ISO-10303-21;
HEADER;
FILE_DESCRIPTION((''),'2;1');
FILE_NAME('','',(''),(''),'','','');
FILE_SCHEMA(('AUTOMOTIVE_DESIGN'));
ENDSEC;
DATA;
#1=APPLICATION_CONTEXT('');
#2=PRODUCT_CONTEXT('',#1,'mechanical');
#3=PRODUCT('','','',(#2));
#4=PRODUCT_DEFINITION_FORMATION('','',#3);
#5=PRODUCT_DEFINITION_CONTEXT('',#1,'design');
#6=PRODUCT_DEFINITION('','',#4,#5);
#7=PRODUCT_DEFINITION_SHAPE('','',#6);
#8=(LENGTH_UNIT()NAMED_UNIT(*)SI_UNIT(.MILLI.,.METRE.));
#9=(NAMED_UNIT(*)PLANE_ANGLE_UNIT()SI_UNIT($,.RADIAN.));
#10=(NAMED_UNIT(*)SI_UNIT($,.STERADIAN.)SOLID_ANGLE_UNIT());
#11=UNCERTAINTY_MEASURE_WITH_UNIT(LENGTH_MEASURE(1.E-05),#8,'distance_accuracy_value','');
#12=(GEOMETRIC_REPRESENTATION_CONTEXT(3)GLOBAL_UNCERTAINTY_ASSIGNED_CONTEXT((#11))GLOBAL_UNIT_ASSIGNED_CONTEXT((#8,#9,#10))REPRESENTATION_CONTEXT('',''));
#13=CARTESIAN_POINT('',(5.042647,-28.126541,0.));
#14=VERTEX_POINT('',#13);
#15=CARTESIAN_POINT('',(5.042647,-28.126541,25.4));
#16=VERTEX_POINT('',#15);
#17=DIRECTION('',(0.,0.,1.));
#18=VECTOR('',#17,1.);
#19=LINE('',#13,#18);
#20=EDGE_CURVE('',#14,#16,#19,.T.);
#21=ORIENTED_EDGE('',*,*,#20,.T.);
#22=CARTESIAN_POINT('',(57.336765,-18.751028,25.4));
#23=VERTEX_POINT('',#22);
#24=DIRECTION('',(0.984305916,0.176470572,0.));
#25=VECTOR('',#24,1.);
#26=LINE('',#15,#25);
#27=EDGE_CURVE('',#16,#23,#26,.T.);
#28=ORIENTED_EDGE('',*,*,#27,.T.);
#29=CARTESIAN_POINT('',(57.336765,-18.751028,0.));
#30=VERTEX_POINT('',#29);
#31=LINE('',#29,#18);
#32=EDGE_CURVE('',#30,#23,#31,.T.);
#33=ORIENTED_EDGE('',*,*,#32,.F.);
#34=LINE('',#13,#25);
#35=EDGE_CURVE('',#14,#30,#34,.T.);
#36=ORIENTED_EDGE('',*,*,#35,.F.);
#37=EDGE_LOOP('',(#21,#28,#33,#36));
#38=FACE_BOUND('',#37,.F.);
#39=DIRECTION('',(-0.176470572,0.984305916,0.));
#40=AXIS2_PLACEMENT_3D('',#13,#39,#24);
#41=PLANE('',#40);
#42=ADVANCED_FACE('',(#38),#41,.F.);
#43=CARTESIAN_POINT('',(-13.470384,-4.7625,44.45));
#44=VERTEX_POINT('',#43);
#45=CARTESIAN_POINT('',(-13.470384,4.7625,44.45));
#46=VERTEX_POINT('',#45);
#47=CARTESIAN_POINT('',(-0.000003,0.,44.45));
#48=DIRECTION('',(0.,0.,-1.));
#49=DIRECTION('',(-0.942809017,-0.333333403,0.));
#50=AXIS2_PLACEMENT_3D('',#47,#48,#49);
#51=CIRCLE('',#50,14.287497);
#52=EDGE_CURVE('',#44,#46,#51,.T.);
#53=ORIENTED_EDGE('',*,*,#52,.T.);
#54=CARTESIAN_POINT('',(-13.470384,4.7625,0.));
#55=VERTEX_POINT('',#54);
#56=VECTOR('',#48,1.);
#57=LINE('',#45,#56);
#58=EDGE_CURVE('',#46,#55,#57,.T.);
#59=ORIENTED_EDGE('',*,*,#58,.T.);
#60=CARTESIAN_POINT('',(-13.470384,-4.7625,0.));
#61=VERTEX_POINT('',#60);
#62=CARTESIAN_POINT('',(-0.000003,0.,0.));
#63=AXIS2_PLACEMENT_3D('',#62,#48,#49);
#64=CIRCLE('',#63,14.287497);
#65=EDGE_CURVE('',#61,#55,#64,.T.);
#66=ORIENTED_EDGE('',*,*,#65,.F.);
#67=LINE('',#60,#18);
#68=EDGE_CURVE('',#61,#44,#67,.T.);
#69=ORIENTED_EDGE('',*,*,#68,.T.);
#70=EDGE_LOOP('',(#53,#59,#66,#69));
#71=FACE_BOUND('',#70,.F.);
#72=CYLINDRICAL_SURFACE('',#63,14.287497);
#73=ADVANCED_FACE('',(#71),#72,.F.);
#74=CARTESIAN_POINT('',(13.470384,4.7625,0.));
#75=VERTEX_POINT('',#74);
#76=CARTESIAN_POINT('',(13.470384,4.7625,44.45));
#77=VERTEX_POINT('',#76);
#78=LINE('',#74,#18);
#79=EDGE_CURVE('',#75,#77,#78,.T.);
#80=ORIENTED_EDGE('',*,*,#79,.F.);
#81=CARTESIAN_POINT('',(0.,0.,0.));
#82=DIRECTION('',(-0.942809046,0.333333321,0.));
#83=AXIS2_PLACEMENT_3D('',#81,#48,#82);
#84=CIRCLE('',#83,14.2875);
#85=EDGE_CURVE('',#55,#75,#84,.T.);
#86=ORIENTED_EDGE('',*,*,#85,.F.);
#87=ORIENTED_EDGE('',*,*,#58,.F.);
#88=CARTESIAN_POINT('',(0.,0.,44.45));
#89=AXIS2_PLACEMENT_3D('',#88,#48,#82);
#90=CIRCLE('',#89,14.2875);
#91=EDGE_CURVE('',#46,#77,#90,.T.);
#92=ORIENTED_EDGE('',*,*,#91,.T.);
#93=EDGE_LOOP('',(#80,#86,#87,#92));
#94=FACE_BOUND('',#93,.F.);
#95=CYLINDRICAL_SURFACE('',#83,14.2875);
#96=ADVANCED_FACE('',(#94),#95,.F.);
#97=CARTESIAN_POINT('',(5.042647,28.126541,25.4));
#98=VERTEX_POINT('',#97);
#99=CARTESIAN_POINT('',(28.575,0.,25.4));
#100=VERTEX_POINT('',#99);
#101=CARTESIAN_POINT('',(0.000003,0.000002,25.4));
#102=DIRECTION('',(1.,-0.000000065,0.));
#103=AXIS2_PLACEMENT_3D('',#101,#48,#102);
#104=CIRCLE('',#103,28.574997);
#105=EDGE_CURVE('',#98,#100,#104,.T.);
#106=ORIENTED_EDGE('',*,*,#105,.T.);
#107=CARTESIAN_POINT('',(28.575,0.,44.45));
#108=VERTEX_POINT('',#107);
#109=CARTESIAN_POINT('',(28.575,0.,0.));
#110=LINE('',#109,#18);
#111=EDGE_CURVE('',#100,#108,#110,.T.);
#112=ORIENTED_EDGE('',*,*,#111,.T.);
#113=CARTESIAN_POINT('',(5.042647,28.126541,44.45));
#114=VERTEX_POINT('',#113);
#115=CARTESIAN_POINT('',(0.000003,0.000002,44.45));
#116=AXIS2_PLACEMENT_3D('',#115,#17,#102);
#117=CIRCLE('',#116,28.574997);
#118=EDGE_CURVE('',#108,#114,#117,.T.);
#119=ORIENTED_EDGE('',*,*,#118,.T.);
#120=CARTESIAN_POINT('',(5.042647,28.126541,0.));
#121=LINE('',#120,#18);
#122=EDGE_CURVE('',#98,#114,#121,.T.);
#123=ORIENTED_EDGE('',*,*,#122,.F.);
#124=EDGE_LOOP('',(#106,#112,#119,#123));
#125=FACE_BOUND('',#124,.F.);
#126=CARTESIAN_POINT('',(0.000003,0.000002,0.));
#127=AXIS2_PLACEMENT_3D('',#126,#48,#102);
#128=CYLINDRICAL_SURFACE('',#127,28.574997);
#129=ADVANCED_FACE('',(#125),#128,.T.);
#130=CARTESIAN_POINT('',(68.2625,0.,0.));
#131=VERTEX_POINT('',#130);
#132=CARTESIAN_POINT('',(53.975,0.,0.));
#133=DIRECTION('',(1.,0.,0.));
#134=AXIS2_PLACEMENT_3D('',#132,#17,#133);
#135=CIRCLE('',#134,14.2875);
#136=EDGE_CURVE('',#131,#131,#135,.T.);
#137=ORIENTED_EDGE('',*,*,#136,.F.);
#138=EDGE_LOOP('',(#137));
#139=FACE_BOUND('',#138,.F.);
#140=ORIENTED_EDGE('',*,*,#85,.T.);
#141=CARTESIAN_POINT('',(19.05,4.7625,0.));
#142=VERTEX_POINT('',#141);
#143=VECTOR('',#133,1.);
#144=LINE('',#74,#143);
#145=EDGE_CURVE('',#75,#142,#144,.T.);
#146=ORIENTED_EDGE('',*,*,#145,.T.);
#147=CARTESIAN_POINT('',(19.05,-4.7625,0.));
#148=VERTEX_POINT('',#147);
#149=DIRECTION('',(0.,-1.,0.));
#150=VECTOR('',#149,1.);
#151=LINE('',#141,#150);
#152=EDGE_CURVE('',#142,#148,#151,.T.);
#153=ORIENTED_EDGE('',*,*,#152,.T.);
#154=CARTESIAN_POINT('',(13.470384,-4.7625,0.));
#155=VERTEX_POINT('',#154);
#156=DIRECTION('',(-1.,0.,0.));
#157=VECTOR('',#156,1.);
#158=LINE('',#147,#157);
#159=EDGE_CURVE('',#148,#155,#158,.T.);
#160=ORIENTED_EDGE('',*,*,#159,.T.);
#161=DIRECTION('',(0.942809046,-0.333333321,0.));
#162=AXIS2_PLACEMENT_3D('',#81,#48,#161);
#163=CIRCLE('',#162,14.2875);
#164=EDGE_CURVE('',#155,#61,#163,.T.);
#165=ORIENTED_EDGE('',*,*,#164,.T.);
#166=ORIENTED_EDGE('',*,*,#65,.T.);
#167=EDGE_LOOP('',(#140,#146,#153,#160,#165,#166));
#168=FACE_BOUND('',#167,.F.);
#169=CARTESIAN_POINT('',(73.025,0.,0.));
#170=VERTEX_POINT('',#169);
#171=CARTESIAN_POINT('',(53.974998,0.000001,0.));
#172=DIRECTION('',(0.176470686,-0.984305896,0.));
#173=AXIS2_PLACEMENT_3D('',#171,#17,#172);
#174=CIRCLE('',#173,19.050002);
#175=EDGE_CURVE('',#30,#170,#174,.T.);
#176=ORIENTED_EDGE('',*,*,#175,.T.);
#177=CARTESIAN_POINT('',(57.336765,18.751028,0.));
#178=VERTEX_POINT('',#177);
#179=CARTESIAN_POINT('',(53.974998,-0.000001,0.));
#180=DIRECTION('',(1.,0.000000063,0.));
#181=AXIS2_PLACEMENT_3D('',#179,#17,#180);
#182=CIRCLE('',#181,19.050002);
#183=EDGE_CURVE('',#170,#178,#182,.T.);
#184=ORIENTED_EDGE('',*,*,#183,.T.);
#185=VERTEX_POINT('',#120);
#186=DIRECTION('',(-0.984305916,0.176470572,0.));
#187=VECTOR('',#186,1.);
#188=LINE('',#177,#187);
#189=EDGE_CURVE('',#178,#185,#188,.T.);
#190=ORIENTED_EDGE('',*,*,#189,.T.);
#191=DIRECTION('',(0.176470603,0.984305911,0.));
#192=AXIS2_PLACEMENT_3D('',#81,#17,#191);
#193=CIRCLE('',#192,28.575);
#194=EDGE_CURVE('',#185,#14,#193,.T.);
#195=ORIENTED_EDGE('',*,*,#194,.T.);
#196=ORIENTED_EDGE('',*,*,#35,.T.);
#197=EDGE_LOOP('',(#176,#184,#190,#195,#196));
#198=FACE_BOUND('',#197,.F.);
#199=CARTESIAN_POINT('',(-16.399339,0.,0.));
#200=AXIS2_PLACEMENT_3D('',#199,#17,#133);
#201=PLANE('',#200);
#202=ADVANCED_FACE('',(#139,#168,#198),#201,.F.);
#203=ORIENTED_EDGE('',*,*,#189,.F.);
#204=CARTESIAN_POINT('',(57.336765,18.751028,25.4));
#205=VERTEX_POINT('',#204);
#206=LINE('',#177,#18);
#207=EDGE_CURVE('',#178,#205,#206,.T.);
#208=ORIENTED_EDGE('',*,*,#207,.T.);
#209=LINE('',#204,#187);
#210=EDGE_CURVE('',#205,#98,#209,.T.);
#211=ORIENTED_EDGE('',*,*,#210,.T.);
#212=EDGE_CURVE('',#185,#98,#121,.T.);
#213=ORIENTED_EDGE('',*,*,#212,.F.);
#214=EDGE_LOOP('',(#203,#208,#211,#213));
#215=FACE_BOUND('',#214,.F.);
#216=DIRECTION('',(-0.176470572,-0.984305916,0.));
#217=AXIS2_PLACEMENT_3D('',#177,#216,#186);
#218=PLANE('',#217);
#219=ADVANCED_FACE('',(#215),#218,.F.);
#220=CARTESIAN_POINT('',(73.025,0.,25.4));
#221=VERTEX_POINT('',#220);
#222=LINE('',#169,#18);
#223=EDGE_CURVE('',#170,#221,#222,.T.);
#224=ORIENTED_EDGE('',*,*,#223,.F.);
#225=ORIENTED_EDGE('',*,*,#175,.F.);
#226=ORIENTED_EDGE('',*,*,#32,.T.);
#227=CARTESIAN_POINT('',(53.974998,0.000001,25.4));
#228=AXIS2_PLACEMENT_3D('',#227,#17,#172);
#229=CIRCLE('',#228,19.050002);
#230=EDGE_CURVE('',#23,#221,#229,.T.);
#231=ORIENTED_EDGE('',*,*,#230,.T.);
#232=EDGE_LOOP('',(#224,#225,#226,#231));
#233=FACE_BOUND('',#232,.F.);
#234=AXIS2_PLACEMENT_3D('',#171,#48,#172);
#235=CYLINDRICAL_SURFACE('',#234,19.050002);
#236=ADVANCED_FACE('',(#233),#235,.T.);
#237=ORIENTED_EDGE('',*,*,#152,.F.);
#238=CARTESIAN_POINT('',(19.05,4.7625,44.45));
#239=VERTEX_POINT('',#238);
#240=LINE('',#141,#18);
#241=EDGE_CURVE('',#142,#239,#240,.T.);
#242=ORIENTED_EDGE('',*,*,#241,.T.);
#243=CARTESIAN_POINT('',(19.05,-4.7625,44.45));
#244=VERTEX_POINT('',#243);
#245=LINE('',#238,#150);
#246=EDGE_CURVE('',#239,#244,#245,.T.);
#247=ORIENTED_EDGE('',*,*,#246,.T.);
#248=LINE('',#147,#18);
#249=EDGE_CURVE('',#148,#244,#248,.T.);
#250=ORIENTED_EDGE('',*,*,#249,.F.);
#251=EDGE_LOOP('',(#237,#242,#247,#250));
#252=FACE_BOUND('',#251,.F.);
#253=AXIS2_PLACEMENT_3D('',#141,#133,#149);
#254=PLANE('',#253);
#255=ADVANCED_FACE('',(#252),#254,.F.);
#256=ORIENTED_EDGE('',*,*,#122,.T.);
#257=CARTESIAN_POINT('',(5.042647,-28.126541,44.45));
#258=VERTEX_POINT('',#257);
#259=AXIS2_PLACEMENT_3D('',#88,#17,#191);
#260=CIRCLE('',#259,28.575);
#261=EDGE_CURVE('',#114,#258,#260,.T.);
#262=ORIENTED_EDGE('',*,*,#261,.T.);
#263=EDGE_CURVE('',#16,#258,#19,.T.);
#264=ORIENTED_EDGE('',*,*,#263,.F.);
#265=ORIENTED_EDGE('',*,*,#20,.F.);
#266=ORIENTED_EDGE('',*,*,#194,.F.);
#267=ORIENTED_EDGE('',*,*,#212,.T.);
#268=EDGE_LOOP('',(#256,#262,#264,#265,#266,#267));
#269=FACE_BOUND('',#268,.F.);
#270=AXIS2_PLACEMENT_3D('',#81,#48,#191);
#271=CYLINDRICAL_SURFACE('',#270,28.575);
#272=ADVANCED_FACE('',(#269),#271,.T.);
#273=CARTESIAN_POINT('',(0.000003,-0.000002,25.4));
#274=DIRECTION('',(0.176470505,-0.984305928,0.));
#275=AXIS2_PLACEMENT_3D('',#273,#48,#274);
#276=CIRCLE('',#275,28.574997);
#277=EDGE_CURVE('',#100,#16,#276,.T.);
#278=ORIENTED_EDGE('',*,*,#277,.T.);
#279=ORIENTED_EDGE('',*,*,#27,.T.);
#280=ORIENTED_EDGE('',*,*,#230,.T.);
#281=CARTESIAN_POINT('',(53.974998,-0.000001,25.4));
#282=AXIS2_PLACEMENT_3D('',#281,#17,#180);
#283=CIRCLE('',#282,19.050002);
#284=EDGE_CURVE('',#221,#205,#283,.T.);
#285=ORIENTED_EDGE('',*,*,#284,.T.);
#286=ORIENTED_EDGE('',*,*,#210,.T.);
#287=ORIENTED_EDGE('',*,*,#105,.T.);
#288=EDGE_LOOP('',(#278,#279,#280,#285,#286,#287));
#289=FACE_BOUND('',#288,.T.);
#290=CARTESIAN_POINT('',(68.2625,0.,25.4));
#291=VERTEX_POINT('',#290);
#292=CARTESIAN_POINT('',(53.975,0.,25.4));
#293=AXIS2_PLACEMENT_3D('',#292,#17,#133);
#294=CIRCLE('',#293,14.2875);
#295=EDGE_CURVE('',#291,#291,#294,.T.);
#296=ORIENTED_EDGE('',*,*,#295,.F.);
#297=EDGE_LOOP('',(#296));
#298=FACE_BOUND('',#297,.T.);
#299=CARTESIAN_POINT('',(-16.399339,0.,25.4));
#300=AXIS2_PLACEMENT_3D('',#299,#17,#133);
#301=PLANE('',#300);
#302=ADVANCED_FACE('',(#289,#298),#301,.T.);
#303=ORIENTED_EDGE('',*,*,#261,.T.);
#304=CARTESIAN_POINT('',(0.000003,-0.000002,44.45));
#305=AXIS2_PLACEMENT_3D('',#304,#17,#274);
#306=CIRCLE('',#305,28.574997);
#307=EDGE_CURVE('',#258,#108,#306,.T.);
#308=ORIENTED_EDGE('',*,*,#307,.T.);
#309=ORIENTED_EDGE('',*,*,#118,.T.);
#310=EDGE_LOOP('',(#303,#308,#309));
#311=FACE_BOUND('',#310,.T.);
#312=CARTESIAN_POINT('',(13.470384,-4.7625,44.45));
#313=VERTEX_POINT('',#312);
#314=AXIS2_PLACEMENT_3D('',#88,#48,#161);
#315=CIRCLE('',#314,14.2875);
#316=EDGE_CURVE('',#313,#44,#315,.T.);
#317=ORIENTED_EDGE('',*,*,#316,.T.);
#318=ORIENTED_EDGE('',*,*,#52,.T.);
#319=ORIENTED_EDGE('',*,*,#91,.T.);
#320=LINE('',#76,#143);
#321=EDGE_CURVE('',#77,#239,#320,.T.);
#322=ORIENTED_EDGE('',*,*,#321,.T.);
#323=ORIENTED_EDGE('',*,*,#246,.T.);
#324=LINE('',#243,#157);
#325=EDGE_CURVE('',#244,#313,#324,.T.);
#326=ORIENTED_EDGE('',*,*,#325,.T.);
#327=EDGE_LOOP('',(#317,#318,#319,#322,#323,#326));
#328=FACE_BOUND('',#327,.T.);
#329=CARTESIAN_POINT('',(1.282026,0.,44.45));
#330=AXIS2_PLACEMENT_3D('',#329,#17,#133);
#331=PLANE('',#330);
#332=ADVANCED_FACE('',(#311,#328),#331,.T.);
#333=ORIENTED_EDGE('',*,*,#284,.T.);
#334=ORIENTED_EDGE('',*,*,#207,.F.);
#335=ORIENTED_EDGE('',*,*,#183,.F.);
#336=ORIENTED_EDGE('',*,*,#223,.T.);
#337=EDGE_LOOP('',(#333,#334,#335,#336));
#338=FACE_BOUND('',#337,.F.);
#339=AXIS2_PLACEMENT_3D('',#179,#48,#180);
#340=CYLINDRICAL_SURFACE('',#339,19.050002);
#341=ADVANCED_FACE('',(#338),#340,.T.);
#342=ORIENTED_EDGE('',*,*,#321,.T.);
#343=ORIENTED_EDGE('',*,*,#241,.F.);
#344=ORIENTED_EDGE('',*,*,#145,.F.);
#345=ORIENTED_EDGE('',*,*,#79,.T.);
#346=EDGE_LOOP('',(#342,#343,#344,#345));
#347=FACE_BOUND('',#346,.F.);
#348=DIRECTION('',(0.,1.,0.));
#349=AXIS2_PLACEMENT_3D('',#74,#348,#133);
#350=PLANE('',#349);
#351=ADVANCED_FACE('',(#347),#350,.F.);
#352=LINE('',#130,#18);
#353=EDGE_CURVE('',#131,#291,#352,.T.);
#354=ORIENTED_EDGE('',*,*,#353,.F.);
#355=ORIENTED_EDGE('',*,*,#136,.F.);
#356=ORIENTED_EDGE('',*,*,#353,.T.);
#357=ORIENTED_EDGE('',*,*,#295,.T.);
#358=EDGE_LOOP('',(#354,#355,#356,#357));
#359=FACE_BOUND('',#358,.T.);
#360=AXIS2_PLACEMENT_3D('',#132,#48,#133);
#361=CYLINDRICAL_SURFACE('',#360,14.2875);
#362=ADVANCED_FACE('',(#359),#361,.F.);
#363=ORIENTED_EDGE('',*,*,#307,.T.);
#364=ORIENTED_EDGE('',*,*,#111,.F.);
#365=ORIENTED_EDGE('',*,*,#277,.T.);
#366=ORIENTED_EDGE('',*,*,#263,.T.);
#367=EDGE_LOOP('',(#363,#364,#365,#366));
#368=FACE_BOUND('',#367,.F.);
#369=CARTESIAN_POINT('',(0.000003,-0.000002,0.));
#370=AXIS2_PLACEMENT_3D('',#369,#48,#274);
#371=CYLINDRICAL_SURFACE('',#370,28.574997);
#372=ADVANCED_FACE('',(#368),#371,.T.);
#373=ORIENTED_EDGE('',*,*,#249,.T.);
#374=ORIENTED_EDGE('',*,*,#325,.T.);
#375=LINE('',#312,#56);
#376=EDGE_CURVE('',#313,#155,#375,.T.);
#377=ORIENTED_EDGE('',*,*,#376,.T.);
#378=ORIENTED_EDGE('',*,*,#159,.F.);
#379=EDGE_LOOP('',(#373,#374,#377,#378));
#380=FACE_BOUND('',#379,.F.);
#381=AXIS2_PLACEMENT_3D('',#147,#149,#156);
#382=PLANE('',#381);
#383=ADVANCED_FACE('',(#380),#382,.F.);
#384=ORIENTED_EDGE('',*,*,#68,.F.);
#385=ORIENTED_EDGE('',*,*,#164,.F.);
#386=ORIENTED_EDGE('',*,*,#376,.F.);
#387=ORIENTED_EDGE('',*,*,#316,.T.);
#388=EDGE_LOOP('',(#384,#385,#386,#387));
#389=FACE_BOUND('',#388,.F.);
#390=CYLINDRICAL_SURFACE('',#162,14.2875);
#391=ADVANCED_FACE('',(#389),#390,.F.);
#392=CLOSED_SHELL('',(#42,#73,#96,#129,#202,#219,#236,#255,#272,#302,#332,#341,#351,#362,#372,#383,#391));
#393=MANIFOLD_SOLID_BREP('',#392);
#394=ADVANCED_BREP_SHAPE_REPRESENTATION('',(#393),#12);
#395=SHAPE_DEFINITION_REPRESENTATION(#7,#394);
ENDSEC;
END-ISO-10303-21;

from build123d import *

# Parameters (mm, degrees)
F0_R     = 14.2875
F1_DEPTH = 25.4
F2_DEPTH = 44.45


with BuildPart() as f1:
    # F0 (on Top) → F1 (new body)
    with BuildSketch(Plane.XY):
        with BuildLine():
            ThreePointArc((-13.470384, -4.7625), (-14.2875, 0), (-13.470384, 4.7625))
            Line((-13.470384, 4.7625), (-19.05, 4.7625))
            Line((-19.05, 4.7625), (-19.05, -4.7625))
            Line((-19.05, -4.7625), (-13.470384, -4.7625))
        make_face()
        with BuildLine():
            ThreePointArc((5.042647, 28.126541), (21.916025, 18.336262), (28.575, 0))
            ThreePointArc((28.575, 0), (21.916025, -18.336262), (5.042647, -28.126541))
            Line((5.042647, -28.126541), (57.336765, -18.751028))
            ThreePointArc((57.336765, -18.751028), (34.925, 0), (57.336765, 18.751028))
            Line((57.336765, 18.751028), (5.042647, 28.126541))
        make_face()
        with BuildLine():
            ThreePointArc((5.042647, -28.126541), (21.916025, -18.336262), (28.575, 0))
            ThreePointArc((28.575, 0), (21.916025, 18.336262), (5.042647, 28.126541))
            ThreePointArc((5.042647, 28.126541), (-28.575, 0), (5.042647, -28.126541))
        make_face()
        with BuildLine():
            ThreePointArc((-13.470384, 4.7625), (0, 14.2875), (13.470384, 4.7625))
            Line((13.470384, 4.7625), (19.05, 4.7625))
            Line((19.05, 4.7625), (19.05, -4.7625))
            Line((19.05, -4.7625), (13.470384, -4.7625))
            ThreePointArc((13.470384, -4.7625), (0, -14.2875), (-13.470384, -4.7625))
            Line((-13.470384, -4.7625), (-19.05, -4.7625))
            Line((-19.05, -4.7625), (-19.05, 4.7625))
            Line((-19.05, 4.7625), (-13.470384, 4.7625))
        make_face(mode=Mode.SUBTRACT)
        with BuildLine():
            ThreePointArc((73.025, 0), (68.585683, 12.224174), (57.336765, 18.751028))
            ThreePointArc((57.336765, 18.751028), (34.925, 0), (57.336765, -18.751028))
            ThreePointArc((57.336765, -18.751028), (68.585683, -12.224174), (73.025, 0))
        make_face()
        with Locations((53.975, 0)):
            Circle(F0_R, mode=Mode.SUBTRACT)
    extrude(amount=F1_DEPTH)

    # F0 (on Top) → F2 (join)
    with BuildSketch(Plane.XY):
        with BuildLine():
            ThreePointArc((5.042647, -28.126541), (21.916025, -18.336262), (28.575, 0))
            ThreePointArc((28.575, 0), (21.916025, 18.336262), (5.042647, 28.126541))
            ThreePointArc((5.042647, 28.126541), (-28.575, 0), (5.042647, -28.126541))
        make_face()
        with BuildLine():
            ThreePointArc((-13.470384, 4.7625), (0, 14.2875), (13.470384, 4.7625))
            Line((13.470384, 4.7625), (19.05, 4.7625))
            Line((19.05, 4.7625), (19.05, -4.7625))
            Line((19.05, -4.7625), (13.470384, -4.7625))
            ThreePointArc((13.470384, -4.7625), (0, -14.2875), (-13.470384, -4.7625))
            Line((-13.470384, -4.7625), (-19.05, -4.7625))
            Line((-19.05, -4.7625), (-19.05, 4.7625))
            Line((-19.05, 4.7625), (-13.470384, 4.7625))
        make_face(mode=Mode.SUBTRACT)
        with BuildLine():
            ThreePointArc((-13.470384, -4.7625), (-14.2875, 0), (-13.470384, 4.7625))
            Line((-13.470384, 4.7625), (-19.05, 4.7625))
            Line((-19.05, 4.7625), (-19.05, -4.7625))
            Line((-19.05, -4.7625), (-13.470384, -4.7625))
        make_face()
    extrude(amount=F2_DEPTH)


solid = f1.part
